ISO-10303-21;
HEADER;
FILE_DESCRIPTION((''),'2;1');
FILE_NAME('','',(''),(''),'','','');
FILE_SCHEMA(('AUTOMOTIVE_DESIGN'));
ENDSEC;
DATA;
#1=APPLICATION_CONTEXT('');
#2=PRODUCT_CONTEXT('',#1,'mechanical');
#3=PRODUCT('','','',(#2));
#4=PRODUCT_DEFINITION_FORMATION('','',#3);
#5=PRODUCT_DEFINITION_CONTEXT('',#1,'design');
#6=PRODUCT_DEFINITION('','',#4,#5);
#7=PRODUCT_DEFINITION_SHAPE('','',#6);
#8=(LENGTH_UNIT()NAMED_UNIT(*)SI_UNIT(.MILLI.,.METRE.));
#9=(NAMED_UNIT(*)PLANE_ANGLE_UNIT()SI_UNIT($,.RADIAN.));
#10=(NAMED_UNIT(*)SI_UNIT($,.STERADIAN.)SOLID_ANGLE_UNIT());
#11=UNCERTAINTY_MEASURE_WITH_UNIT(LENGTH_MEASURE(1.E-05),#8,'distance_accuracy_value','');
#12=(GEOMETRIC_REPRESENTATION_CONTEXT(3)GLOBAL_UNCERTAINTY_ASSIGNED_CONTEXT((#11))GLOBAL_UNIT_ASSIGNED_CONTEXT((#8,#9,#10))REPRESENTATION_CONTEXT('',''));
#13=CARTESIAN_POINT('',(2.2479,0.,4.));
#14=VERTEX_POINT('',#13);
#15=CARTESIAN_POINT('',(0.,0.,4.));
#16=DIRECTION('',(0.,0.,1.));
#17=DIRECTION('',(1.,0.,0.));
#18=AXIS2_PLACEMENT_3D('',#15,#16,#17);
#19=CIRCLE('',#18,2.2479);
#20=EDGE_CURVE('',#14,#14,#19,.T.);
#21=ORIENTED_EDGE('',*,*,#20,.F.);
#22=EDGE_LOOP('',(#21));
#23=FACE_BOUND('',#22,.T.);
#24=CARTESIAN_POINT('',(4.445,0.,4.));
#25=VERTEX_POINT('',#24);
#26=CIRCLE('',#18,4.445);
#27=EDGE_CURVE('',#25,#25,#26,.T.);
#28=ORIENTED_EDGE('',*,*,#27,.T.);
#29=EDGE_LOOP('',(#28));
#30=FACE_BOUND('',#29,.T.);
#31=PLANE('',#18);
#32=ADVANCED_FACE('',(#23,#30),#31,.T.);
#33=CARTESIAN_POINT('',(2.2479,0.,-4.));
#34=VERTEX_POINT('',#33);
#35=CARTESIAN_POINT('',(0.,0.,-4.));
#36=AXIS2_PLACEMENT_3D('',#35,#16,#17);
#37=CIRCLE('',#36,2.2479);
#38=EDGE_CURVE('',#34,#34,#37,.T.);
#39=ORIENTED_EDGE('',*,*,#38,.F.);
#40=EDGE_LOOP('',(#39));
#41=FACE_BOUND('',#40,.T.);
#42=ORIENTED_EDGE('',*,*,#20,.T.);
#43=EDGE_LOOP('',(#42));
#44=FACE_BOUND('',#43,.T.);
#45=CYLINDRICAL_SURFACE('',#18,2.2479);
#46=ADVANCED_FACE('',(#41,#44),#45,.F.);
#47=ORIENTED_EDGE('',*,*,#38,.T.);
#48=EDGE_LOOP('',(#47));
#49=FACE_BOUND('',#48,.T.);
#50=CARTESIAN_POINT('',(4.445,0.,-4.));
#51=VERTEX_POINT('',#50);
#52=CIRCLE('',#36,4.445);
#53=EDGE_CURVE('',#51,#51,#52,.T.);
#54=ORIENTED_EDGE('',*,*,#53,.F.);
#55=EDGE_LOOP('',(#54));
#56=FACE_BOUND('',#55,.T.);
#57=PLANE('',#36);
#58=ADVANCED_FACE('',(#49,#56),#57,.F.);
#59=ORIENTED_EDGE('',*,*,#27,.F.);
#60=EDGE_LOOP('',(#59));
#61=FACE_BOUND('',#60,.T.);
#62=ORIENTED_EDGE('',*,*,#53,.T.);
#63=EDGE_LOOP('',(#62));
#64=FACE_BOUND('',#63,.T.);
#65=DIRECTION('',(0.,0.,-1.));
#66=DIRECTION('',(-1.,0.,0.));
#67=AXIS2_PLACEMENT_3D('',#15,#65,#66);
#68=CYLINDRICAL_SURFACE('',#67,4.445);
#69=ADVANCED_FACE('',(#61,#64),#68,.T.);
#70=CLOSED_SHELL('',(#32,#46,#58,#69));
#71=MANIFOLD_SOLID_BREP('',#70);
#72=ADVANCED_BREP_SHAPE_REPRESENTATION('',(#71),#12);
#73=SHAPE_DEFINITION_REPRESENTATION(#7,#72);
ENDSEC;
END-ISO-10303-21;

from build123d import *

# Parameters (mm, degrees)
SKETCH1_R             = 4.445
BOSS_EXTRUDE1_DEPTH   = 4
F_8_CLEARANCE_HOLE1_D = 4.4958


with BuildPart() as part:
    # Sketch1 → Boss-Extrude1 (new body, symmetric)
    with BuildSketch(Plane.XY):
        Circle(SKETCH1_R)
    extrude(amount=BOSS_EXTRUDE1_DEPTH, both=True)

    # #8 Clearance Hole1 (through all)
    with Locations(Plane.XY.offset(4)):
        with Locations((0, 0)):
            Hole(F_8_CLEARANCE_HOLE1_D / 2)


solid = part.part
